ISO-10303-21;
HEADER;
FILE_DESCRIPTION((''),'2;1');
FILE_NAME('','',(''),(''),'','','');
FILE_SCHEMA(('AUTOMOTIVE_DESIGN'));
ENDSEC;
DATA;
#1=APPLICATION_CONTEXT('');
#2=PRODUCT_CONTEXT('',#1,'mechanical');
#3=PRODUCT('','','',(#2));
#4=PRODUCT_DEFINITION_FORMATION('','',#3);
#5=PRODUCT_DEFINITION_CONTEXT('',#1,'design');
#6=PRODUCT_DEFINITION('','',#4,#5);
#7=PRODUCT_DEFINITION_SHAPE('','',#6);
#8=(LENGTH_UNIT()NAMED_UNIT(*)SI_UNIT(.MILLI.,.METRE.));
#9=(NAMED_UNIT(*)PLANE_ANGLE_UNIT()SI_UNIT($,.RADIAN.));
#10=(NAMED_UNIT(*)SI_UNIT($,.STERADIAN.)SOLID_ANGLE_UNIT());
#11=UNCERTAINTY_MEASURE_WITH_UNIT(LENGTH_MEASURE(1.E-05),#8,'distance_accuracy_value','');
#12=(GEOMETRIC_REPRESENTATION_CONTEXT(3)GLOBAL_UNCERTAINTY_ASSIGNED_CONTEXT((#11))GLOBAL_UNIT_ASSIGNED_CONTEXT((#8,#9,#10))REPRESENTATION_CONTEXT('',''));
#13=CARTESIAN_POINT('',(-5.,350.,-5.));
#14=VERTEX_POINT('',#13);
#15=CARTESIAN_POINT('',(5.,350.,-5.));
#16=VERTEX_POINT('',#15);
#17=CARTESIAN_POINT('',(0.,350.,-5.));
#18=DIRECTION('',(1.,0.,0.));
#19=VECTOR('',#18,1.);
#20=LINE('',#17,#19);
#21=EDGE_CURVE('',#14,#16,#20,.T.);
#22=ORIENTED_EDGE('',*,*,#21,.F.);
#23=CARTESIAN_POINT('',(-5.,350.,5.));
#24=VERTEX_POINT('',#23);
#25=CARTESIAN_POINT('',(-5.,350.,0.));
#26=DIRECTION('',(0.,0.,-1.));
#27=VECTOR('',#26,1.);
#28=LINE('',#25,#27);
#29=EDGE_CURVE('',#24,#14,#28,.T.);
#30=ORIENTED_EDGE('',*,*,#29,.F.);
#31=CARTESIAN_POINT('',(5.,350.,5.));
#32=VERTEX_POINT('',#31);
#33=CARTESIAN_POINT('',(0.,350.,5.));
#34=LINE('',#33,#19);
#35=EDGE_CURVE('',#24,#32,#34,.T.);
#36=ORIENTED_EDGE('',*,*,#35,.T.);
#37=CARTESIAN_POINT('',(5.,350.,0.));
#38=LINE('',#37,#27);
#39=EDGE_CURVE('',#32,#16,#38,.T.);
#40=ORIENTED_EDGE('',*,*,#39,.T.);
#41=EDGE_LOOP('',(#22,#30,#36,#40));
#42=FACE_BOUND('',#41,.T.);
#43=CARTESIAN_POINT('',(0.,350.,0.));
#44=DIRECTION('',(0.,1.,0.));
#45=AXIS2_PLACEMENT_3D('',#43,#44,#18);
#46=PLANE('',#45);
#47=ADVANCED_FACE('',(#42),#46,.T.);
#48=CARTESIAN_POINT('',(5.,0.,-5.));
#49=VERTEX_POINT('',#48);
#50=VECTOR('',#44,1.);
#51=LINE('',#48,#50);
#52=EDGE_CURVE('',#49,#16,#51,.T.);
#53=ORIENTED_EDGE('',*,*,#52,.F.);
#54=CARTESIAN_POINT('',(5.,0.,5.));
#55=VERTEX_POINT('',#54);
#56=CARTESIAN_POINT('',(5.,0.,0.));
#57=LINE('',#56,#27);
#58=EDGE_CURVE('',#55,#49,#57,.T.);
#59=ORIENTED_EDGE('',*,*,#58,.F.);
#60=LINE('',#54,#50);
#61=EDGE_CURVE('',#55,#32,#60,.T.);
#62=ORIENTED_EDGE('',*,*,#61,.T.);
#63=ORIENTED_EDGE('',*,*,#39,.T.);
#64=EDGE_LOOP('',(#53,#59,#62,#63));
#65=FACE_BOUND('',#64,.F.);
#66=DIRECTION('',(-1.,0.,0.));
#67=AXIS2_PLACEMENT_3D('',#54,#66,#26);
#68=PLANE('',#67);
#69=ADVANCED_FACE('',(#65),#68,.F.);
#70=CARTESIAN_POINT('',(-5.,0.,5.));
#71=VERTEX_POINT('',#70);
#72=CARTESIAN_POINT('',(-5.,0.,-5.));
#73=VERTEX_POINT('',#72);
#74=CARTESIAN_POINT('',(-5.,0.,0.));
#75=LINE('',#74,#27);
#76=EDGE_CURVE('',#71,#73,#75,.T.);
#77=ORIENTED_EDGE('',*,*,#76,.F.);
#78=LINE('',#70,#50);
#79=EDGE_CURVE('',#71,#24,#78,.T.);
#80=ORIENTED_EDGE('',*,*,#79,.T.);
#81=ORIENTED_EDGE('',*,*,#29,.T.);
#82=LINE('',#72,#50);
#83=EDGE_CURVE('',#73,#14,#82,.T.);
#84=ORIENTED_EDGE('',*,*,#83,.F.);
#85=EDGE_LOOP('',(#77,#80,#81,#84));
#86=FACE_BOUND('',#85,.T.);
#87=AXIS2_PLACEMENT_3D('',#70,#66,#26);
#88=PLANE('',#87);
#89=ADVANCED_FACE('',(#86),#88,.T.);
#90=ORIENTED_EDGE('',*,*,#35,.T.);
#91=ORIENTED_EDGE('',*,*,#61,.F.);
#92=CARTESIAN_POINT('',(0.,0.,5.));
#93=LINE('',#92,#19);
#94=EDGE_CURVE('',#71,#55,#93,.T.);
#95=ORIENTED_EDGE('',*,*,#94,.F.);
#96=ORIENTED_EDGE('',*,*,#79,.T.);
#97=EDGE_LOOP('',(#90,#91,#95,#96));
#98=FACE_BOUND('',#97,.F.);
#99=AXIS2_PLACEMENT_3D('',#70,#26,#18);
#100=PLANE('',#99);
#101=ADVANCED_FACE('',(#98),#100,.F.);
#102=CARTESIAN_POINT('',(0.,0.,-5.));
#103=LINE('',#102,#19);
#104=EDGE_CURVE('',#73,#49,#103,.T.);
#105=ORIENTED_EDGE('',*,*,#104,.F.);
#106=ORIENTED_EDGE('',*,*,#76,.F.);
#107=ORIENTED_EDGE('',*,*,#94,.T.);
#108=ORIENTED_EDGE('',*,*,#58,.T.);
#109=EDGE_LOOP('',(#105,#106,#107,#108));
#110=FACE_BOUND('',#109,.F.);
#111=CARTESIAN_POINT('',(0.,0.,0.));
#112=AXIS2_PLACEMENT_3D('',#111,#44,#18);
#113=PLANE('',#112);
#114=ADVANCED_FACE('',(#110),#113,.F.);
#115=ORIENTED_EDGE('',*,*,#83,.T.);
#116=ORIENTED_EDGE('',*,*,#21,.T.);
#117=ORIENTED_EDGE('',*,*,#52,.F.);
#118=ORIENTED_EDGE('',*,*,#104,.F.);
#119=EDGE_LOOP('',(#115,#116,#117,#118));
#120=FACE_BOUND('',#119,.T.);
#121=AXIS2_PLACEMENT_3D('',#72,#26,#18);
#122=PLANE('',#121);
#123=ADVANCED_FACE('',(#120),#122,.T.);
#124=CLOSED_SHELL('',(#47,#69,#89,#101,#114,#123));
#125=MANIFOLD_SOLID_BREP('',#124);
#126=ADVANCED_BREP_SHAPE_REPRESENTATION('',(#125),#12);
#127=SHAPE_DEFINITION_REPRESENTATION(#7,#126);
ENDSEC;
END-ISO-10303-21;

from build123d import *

# Parameters (mm, degrees)
SKETCH1_W           = 10
SKETCH1_H           = 10
BOSS_EXTRUDE1_DEPTH = 350


with BuildPart() as part:
    # Sketch1 → Boss-Extrude1 (new body)
    with BuildSketch(Plane(origin=(0, 0, 0), x_dir=(1, 0, 0), z_dir=(0, 1, 0))):
        Rectangle(SKETCH1_W, SKETCH1_H)
    extrude(amount=BOSS_EXTRUDE1_DEPTH)


solid = part.part
